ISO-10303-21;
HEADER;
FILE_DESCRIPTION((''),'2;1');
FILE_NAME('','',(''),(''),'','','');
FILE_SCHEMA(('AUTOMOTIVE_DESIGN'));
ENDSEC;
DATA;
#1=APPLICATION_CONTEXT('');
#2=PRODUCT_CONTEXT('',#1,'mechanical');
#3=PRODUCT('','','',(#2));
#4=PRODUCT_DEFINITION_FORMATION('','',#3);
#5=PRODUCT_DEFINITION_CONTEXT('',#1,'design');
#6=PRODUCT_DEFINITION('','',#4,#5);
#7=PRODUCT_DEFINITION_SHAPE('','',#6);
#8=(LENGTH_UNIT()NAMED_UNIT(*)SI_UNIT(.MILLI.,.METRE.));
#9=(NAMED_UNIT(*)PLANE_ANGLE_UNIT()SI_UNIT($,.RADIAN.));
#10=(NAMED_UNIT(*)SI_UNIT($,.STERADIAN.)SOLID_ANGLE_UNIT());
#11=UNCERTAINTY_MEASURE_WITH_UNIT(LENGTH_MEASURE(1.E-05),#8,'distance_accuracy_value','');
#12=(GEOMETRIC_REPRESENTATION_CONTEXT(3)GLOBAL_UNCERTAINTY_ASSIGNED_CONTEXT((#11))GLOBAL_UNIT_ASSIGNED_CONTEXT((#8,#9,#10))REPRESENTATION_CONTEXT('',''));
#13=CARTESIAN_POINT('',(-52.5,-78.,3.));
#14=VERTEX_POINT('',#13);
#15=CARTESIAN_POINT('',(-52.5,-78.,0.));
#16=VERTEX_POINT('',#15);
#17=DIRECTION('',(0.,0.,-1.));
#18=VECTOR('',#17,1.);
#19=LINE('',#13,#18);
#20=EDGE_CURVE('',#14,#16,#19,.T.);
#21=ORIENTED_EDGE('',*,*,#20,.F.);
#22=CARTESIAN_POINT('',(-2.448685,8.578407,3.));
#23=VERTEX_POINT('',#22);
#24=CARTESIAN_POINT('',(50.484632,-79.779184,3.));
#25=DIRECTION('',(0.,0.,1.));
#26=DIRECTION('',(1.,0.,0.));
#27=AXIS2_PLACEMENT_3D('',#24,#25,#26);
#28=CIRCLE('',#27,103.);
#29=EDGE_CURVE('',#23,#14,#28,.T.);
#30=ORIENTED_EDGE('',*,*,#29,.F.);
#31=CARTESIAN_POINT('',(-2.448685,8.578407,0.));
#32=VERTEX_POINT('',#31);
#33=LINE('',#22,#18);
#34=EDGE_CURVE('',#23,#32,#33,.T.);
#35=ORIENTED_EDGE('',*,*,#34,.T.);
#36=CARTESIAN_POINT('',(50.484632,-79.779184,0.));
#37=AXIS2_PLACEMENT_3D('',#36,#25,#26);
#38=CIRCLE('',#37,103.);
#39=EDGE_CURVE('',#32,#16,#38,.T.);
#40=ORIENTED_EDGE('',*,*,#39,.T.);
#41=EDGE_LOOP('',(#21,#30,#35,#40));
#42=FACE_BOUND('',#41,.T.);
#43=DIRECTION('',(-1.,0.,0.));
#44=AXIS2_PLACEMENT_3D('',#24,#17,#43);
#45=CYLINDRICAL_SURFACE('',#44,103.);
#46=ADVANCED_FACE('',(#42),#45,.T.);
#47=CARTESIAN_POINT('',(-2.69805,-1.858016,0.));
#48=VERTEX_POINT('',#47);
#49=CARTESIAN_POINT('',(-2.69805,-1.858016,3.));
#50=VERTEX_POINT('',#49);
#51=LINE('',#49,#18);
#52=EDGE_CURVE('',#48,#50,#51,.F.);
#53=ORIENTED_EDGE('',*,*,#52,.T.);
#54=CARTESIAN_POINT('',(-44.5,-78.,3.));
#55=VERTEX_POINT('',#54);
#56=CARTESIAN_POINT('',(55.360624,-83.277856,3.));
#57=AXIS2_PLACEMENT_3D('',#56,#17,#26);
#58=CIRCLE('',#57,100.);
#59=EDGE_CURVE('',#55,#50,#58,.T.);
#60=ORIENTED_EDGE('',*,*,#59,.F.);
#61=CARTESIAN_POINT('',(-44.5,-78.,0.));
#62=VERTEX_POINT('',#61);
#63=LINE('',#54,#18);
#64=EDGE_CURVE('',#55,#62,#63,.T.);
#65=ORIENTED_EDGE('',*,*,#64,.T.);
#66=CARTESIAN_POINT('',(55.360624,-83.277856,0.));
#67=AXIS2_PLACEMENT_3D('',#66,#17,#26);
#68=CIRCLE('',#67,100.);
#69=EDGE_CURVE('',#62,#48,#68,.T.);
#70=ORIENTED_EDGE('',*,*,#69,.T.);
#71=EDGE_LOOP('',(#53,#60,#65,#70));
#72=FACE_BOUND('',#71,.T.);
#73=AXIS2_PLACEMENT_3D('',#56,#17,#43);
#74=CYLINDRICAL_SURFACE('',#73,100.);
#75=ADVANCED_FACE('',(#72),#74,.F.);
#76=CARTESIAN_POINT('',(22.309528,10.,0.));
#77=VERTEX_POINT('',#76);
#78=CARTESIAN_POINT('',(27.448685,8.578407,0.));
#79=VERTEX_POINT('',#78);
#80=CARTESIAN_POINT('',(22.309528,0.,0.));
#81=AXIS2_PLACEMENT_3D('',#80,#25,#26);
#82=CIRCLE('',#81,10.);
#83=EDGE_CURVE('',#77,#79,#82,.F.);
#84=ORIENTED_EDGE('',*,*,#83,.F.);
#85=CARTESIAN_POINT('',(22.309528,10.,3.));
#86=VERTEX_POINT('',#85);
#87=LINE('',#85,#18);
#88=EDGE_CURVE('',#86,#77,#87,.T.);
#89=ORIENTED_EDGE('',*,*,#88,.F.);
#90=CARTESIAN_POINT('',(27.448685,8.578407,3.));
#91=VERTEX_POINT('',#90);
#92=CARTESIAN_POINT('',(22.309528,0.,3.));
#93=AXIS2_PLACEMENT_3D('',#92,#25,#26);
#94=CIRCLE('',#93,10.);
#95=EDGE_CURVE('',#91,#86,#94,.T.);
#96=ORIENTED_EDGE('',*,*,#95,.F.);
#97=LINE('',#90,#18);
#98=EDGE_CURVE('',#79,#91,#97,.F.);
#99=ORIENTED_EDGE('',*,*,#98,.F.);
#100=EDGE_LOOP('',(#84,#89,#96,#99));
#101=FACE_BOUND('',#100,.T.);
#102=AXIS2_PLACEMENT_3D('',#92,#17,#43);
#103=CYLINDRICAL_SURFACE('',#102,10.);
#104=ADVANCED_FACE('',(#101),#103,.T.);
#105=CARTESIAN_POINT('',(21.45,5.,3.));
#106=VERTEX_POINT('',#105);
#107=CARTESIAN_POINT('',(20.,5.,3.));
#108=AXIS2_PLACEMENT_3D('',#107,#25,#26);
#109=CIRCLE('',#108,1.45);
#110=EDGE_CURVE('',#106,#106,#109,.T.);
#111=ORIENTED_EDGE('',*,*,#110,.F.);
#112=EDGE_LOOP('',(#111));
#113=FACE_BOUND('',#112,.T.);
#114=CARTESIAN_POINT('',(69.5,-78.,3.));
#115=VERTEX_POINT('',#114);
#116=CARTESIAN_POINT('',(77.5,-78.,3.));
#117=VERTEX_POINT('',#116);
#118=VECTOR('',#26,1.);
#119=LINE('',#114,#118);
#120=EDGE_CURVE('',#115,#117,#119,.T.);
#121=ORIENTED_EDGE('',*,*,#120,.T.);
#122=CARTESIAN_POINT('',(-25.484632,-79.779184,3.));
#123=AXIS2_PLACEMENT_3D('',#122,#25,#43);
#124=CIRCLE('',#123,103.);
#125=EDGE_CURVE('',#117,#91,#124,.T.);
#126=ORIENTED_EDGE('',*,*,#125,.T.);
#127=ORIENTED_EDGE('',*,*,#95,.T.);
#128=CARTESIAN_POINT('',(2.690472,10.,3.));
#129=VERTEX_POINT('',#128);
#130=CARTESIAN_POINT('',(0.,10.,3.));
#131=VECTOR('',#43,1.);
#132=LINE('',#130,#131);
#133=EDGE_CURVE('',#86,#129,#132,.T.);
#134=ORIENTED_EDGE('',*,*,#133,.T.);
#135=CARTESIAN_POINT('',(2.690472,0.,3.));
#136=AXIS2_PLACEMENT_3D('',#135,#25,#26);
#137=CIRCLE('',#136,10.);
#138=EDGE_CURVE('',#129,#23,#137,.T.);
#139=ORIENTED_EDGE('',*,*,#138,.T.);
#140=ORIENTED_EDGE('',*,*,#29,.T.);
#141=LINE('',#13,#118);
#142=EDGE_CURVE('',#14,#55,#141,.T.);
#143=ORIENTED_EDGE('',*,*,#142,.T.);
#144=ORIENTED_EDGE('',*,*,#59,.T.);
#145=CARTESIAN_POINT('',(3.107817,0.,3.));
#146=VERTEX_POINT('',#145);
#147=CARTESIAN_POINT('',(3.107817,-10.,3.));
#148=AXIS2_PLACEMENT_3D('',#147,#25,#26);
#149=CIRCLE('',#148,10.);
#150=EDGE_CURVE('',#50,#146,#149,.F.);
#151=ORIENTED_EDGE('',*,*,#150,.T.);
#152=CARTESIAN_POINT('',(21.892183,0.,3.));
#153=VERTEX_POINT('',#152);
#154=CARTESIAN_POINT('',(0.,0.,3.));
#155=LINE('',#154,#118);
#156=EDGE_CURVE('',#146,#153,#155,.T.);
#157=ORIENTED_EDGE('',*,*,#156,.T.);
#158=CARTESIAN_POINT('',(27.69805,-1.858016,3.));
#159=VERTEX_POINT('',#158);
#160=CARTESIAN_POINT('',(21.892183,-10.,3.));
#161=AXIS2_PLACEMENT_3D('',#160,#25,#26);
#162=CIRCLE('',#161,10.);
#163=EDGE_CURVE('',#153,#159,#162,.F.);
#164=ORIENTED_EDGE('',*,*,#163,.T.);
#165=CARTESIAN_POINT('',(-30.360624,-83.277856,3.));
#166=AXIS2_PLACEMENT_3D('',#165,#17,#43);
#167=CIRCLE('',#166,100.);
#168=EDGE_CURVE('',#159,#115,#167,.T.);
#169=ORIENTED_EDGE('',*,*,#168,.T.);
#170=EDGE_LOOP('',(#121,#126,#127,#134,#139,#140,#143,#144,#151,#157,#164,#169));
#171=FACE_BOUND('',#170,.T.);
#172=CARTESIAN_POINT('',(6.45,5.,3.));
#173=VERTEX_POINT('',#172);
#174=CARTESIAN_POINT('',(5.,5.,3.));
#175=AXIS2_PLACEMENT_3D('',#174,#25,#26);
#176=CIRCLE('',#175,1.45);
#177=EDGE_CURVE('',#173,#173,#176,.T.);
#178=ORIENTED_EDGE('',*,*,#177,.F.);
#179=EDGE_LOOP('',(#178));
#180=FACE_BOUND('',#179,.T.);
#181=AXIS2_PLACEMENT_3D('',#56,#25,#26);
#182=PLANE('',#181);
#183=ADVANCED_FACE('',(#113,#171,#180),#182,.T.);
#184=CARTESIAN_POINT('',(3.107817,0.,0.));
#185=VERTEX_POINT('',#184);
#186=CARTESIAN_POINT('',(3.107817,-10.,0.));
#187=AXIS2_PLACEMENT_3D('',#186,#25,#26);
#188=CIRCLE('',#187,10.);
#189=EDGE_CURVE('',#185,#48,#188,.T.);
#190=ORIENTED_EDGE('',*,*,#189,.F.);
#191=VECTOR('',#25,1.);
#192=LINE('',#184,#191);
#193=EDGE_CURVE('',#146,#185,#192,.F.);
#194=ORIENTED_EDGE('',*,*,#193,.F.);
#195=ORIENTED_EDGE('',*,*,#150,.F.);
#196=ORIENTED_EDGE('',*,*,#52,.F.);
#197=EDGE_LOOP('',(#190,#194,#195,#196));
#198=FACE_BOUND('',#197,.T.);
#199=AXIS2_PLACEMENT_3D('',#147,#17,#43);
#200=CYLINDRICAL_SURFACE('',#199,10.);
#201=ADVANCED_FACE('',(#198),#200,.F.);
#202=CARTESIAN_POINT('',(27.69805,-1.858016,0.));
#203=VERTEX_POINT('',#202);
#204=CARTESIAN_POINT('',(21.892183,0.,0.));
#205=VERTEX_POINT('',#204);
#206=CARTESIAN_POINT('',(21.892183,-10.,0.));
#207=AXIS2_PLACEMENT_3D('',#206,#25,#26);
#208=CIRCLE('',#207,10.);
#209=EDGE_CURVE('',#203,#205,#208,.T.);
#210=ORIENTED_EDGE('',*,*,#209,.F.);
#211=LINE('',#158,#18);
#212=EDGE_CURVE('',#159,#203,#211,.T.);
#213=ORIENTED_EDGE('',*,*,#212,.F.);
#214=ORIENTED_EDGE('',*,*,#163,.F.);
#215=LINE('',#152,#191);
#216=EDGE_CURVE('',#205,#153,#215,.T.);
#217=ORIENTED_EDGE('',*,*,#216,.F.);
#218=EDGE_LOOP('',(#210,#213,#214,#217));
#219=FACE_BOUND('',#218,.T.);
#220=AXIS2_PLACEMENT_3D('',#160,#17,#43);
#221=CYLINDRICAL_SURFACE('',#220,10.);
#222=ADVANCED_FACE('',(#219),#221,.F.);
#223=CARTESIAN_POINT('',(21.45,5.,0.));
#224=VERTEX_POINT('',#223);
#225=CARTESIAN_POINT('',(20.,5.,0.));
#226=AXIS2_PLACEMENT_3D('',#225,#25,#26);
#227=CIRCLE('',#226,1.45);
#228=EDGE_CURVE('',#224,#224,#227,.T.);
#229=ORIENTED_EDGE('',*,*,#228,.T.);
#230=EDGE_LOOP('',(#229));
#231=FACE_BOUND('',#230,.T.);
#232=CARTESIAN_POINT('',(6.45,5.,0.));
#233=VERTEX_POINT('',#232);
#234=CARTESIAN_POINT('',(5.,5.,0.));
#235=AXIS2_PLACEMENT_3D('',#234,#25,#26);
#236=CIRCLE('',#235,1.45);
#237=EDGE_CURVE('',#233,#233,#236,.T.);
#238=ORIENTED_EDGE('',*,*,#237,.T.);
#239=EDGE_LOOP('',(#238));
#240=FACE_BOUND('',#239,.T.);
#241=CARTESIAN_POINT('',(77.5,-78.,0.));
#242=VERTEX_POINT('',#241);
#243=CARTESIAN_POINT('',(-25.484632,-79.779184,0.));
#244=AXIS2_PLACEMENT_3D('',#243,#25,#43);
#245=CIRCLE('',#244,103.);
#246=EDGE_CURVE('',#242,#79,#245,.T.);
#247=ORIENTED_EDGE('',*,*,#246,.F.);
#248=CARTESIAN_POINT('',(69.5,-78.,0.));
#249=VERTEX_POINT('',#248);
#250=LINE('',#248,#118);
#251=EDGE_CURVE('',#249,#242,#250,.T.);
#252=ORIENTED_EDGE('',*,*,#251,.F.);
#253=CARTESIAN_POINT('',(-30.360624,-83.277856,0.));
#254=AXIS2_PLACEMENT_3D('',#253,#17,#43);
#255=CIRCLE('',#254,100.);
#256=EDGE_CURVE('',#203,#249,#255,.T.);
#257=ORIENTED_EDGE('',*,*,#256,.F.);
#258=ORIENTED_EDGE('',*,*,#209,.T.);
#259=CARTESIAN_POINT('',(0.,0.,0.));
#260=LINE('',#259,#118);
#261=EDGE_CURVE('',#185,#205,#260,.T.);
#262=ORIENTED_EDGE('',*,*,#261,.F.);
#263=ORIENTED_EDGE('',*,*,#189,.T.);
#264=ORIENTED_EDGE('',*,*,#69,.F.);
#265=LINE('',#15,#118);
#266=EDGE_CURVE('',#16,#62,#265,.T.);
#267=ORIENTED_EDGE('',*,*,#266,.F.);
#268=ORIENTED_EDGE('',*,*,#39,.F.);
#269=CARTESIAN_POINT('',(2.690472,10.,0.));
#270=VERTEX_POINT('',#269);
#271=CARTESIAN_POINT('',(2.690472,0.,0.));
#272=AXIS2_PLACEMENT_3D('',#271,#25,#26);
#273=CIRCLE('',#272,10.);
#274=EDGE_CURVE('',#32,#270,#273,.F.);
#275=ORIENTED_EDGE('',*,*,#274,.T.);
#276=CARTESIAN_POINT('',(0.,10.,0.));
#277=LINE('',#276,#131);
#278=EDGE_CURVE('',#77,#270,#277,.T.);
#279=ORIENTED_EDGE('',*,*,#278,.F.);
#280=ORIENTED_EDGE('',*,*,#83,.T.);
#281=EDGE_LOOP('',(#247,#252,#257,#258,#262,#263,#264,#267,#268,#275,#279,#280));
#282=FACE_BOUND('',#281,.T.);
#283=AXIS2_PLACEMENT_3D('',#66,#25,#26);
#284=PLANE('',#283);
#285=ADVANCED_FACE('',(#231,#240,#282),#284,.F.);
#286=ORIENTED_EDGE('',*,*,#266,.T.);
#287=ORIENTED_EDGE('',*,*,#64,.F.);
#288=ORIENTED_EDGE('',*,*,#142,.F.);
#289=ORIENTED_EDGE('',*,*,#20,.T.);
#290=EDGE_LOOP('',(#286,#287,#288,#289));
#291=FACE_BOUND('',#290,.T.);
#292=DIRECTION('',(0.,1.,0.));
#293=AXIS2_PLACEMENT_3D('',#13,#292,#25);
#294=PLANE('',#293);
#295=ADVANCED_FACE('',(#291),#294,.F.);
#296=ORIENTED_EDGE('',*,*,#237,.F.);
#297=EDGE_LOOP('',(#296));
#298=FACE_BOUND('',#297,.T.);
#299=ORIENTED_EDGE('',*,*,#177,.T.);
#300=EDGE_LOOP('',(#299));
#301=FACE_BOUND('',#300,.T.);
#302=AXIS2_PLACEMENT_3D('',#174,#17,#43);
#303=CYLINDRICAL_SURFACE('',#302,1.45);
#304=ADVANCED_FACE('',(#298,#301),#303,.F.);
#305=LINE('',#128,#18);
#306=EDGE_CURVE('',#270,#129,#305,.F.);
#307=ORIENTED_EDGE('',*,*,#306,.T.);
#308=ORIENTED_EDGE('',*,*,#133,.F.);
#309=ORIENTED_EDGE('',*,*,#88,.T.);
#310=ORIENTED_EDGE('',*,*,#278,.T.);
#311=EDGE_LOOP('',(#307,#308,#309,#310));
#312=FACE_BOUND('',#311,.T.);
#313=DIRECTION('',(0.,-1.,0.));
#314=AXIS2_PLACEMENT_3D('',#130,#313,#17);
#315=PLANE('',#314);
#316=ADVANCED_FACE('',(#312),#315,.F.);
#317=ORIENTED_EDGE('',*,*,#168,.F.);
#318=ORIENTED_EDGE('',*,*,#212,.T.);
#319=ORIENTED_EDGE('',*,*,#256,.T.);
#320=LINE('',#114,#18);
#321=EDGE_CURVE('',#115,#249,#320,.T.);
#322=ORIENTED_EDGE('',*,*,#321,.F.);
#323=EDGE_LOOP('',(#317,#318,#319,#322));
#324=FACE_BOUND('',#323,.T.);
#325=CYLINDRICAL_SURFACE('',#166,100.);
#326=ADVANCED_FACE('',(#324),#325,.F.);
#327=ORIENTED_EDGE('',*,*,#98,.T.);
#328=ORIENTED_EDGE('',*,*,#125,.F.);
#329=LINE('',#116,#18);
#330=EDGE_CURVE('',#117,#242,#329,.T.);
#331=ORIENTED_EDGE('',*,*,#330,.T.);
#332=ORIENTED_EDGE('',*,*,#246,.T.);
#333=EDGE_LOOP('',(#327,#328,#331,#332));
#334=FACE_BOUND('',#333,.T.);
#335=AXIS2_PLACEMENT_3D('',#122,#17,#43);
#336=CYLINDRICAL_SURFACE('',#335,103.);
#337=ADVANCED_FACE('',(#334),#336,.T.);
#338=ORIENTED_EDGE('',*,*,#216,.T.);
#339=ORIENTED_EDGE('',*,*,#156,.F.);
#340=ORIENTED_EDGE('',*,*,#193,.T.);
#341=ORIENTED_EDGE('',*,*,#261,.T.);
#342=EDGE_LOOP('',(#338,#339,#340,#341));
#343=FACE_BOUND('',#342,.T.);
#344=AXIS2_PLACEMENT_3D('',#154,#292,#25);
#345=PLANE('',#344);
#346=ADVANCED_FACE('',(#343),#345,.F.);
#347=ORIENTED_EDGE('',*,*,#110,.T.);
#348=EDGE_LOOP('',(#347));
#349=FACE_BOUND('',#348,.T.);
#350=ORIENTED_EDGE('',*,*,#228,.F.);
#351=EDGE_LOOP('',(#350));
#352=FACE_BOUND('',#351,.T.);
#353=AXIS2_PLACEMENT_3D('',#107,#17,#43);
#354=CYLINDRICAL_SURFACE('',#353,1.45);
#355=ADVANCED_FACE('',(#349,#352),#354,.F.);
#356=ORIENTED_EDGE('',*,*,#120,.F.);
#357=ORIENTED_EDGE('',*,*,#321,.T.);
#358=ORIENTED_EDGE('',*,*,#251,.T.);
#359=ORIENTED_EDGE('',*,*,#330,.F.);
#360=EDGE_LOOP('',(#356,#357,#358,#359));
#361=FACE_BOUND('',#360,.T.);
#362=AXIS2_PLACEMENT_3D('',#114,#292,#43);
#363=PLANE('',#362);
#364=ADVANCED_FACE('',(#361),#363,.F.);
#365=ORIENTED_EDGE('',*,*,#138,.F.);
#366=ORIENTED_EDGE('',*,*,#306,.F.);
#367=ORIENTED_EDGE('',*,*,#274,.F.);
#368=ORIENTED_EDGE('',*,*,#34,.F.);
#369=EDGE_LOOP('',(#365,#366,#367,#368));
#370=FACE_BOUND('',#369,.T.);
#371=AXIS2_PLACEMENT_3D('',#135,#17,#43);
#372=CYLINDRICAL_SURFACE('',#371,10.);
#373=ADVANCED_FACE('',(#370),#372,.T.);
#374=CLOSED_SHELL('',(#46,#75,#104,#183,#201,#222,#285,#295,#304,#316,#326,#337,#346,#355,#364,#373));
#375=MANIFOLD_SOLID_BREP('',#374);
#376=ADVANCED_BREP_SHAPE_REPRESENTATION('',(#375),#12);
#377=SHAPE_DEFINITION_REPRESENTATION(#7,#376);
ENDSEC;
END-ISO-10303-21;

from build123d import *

# Parameters (mm, degrees)
SKETCH_1_R      = 1.45
EXTRUDE_1_DEPTH = 3
FILLET_1_R      = 10


with BuildPart() as part:
    # 草图1 → 凸台-拉伸1 (new body)
    with BuildSketch(Plane.XY):
        with BuildLine():
            Line((0, 0), (25, 0))
            ThreePointArc((25, 0), (56.497933188, -33.723935553), (69.5, -78))
            Line((69.5, -78), (77.5, -78))
            ThreePointArc((77.5, -78), (62.96989722, -27.008015863), (25, 10))
            Line((25, 10), (0, 10))
            ThreePointArc((0, 10), (-37.96989722, -27.008015863), (-52.5, -78))
            Line((-52.5, -78), (-44.5, -78))
            ThreePointArc((-44.5, -78), (-31.497933188, -33.723935553), (0, 0))
        make_face()
        with Locations((5, 5)):
            Circle(SKETCH_1_R, mode=Mode.SUBTRACT)
        with Locations((20, 5)):
            Circle(SKETCH_1_R, mode=Mode.SUBTRACT)
    extrude(amount=EXTRUDE_1_DEPTH)

    # 圆角1
    fillet_1_edges = [part.edges().sort_by_distance(p)[0] for p in [
        (0, 10, 1.5),
        (25, 10, 1.5),
        (25, 0, 1.5),
        (0, 0, 1.5),
    ]]
    fillet(fillet_1_edges, radius=FILLET_1_R)


solid = part.part
